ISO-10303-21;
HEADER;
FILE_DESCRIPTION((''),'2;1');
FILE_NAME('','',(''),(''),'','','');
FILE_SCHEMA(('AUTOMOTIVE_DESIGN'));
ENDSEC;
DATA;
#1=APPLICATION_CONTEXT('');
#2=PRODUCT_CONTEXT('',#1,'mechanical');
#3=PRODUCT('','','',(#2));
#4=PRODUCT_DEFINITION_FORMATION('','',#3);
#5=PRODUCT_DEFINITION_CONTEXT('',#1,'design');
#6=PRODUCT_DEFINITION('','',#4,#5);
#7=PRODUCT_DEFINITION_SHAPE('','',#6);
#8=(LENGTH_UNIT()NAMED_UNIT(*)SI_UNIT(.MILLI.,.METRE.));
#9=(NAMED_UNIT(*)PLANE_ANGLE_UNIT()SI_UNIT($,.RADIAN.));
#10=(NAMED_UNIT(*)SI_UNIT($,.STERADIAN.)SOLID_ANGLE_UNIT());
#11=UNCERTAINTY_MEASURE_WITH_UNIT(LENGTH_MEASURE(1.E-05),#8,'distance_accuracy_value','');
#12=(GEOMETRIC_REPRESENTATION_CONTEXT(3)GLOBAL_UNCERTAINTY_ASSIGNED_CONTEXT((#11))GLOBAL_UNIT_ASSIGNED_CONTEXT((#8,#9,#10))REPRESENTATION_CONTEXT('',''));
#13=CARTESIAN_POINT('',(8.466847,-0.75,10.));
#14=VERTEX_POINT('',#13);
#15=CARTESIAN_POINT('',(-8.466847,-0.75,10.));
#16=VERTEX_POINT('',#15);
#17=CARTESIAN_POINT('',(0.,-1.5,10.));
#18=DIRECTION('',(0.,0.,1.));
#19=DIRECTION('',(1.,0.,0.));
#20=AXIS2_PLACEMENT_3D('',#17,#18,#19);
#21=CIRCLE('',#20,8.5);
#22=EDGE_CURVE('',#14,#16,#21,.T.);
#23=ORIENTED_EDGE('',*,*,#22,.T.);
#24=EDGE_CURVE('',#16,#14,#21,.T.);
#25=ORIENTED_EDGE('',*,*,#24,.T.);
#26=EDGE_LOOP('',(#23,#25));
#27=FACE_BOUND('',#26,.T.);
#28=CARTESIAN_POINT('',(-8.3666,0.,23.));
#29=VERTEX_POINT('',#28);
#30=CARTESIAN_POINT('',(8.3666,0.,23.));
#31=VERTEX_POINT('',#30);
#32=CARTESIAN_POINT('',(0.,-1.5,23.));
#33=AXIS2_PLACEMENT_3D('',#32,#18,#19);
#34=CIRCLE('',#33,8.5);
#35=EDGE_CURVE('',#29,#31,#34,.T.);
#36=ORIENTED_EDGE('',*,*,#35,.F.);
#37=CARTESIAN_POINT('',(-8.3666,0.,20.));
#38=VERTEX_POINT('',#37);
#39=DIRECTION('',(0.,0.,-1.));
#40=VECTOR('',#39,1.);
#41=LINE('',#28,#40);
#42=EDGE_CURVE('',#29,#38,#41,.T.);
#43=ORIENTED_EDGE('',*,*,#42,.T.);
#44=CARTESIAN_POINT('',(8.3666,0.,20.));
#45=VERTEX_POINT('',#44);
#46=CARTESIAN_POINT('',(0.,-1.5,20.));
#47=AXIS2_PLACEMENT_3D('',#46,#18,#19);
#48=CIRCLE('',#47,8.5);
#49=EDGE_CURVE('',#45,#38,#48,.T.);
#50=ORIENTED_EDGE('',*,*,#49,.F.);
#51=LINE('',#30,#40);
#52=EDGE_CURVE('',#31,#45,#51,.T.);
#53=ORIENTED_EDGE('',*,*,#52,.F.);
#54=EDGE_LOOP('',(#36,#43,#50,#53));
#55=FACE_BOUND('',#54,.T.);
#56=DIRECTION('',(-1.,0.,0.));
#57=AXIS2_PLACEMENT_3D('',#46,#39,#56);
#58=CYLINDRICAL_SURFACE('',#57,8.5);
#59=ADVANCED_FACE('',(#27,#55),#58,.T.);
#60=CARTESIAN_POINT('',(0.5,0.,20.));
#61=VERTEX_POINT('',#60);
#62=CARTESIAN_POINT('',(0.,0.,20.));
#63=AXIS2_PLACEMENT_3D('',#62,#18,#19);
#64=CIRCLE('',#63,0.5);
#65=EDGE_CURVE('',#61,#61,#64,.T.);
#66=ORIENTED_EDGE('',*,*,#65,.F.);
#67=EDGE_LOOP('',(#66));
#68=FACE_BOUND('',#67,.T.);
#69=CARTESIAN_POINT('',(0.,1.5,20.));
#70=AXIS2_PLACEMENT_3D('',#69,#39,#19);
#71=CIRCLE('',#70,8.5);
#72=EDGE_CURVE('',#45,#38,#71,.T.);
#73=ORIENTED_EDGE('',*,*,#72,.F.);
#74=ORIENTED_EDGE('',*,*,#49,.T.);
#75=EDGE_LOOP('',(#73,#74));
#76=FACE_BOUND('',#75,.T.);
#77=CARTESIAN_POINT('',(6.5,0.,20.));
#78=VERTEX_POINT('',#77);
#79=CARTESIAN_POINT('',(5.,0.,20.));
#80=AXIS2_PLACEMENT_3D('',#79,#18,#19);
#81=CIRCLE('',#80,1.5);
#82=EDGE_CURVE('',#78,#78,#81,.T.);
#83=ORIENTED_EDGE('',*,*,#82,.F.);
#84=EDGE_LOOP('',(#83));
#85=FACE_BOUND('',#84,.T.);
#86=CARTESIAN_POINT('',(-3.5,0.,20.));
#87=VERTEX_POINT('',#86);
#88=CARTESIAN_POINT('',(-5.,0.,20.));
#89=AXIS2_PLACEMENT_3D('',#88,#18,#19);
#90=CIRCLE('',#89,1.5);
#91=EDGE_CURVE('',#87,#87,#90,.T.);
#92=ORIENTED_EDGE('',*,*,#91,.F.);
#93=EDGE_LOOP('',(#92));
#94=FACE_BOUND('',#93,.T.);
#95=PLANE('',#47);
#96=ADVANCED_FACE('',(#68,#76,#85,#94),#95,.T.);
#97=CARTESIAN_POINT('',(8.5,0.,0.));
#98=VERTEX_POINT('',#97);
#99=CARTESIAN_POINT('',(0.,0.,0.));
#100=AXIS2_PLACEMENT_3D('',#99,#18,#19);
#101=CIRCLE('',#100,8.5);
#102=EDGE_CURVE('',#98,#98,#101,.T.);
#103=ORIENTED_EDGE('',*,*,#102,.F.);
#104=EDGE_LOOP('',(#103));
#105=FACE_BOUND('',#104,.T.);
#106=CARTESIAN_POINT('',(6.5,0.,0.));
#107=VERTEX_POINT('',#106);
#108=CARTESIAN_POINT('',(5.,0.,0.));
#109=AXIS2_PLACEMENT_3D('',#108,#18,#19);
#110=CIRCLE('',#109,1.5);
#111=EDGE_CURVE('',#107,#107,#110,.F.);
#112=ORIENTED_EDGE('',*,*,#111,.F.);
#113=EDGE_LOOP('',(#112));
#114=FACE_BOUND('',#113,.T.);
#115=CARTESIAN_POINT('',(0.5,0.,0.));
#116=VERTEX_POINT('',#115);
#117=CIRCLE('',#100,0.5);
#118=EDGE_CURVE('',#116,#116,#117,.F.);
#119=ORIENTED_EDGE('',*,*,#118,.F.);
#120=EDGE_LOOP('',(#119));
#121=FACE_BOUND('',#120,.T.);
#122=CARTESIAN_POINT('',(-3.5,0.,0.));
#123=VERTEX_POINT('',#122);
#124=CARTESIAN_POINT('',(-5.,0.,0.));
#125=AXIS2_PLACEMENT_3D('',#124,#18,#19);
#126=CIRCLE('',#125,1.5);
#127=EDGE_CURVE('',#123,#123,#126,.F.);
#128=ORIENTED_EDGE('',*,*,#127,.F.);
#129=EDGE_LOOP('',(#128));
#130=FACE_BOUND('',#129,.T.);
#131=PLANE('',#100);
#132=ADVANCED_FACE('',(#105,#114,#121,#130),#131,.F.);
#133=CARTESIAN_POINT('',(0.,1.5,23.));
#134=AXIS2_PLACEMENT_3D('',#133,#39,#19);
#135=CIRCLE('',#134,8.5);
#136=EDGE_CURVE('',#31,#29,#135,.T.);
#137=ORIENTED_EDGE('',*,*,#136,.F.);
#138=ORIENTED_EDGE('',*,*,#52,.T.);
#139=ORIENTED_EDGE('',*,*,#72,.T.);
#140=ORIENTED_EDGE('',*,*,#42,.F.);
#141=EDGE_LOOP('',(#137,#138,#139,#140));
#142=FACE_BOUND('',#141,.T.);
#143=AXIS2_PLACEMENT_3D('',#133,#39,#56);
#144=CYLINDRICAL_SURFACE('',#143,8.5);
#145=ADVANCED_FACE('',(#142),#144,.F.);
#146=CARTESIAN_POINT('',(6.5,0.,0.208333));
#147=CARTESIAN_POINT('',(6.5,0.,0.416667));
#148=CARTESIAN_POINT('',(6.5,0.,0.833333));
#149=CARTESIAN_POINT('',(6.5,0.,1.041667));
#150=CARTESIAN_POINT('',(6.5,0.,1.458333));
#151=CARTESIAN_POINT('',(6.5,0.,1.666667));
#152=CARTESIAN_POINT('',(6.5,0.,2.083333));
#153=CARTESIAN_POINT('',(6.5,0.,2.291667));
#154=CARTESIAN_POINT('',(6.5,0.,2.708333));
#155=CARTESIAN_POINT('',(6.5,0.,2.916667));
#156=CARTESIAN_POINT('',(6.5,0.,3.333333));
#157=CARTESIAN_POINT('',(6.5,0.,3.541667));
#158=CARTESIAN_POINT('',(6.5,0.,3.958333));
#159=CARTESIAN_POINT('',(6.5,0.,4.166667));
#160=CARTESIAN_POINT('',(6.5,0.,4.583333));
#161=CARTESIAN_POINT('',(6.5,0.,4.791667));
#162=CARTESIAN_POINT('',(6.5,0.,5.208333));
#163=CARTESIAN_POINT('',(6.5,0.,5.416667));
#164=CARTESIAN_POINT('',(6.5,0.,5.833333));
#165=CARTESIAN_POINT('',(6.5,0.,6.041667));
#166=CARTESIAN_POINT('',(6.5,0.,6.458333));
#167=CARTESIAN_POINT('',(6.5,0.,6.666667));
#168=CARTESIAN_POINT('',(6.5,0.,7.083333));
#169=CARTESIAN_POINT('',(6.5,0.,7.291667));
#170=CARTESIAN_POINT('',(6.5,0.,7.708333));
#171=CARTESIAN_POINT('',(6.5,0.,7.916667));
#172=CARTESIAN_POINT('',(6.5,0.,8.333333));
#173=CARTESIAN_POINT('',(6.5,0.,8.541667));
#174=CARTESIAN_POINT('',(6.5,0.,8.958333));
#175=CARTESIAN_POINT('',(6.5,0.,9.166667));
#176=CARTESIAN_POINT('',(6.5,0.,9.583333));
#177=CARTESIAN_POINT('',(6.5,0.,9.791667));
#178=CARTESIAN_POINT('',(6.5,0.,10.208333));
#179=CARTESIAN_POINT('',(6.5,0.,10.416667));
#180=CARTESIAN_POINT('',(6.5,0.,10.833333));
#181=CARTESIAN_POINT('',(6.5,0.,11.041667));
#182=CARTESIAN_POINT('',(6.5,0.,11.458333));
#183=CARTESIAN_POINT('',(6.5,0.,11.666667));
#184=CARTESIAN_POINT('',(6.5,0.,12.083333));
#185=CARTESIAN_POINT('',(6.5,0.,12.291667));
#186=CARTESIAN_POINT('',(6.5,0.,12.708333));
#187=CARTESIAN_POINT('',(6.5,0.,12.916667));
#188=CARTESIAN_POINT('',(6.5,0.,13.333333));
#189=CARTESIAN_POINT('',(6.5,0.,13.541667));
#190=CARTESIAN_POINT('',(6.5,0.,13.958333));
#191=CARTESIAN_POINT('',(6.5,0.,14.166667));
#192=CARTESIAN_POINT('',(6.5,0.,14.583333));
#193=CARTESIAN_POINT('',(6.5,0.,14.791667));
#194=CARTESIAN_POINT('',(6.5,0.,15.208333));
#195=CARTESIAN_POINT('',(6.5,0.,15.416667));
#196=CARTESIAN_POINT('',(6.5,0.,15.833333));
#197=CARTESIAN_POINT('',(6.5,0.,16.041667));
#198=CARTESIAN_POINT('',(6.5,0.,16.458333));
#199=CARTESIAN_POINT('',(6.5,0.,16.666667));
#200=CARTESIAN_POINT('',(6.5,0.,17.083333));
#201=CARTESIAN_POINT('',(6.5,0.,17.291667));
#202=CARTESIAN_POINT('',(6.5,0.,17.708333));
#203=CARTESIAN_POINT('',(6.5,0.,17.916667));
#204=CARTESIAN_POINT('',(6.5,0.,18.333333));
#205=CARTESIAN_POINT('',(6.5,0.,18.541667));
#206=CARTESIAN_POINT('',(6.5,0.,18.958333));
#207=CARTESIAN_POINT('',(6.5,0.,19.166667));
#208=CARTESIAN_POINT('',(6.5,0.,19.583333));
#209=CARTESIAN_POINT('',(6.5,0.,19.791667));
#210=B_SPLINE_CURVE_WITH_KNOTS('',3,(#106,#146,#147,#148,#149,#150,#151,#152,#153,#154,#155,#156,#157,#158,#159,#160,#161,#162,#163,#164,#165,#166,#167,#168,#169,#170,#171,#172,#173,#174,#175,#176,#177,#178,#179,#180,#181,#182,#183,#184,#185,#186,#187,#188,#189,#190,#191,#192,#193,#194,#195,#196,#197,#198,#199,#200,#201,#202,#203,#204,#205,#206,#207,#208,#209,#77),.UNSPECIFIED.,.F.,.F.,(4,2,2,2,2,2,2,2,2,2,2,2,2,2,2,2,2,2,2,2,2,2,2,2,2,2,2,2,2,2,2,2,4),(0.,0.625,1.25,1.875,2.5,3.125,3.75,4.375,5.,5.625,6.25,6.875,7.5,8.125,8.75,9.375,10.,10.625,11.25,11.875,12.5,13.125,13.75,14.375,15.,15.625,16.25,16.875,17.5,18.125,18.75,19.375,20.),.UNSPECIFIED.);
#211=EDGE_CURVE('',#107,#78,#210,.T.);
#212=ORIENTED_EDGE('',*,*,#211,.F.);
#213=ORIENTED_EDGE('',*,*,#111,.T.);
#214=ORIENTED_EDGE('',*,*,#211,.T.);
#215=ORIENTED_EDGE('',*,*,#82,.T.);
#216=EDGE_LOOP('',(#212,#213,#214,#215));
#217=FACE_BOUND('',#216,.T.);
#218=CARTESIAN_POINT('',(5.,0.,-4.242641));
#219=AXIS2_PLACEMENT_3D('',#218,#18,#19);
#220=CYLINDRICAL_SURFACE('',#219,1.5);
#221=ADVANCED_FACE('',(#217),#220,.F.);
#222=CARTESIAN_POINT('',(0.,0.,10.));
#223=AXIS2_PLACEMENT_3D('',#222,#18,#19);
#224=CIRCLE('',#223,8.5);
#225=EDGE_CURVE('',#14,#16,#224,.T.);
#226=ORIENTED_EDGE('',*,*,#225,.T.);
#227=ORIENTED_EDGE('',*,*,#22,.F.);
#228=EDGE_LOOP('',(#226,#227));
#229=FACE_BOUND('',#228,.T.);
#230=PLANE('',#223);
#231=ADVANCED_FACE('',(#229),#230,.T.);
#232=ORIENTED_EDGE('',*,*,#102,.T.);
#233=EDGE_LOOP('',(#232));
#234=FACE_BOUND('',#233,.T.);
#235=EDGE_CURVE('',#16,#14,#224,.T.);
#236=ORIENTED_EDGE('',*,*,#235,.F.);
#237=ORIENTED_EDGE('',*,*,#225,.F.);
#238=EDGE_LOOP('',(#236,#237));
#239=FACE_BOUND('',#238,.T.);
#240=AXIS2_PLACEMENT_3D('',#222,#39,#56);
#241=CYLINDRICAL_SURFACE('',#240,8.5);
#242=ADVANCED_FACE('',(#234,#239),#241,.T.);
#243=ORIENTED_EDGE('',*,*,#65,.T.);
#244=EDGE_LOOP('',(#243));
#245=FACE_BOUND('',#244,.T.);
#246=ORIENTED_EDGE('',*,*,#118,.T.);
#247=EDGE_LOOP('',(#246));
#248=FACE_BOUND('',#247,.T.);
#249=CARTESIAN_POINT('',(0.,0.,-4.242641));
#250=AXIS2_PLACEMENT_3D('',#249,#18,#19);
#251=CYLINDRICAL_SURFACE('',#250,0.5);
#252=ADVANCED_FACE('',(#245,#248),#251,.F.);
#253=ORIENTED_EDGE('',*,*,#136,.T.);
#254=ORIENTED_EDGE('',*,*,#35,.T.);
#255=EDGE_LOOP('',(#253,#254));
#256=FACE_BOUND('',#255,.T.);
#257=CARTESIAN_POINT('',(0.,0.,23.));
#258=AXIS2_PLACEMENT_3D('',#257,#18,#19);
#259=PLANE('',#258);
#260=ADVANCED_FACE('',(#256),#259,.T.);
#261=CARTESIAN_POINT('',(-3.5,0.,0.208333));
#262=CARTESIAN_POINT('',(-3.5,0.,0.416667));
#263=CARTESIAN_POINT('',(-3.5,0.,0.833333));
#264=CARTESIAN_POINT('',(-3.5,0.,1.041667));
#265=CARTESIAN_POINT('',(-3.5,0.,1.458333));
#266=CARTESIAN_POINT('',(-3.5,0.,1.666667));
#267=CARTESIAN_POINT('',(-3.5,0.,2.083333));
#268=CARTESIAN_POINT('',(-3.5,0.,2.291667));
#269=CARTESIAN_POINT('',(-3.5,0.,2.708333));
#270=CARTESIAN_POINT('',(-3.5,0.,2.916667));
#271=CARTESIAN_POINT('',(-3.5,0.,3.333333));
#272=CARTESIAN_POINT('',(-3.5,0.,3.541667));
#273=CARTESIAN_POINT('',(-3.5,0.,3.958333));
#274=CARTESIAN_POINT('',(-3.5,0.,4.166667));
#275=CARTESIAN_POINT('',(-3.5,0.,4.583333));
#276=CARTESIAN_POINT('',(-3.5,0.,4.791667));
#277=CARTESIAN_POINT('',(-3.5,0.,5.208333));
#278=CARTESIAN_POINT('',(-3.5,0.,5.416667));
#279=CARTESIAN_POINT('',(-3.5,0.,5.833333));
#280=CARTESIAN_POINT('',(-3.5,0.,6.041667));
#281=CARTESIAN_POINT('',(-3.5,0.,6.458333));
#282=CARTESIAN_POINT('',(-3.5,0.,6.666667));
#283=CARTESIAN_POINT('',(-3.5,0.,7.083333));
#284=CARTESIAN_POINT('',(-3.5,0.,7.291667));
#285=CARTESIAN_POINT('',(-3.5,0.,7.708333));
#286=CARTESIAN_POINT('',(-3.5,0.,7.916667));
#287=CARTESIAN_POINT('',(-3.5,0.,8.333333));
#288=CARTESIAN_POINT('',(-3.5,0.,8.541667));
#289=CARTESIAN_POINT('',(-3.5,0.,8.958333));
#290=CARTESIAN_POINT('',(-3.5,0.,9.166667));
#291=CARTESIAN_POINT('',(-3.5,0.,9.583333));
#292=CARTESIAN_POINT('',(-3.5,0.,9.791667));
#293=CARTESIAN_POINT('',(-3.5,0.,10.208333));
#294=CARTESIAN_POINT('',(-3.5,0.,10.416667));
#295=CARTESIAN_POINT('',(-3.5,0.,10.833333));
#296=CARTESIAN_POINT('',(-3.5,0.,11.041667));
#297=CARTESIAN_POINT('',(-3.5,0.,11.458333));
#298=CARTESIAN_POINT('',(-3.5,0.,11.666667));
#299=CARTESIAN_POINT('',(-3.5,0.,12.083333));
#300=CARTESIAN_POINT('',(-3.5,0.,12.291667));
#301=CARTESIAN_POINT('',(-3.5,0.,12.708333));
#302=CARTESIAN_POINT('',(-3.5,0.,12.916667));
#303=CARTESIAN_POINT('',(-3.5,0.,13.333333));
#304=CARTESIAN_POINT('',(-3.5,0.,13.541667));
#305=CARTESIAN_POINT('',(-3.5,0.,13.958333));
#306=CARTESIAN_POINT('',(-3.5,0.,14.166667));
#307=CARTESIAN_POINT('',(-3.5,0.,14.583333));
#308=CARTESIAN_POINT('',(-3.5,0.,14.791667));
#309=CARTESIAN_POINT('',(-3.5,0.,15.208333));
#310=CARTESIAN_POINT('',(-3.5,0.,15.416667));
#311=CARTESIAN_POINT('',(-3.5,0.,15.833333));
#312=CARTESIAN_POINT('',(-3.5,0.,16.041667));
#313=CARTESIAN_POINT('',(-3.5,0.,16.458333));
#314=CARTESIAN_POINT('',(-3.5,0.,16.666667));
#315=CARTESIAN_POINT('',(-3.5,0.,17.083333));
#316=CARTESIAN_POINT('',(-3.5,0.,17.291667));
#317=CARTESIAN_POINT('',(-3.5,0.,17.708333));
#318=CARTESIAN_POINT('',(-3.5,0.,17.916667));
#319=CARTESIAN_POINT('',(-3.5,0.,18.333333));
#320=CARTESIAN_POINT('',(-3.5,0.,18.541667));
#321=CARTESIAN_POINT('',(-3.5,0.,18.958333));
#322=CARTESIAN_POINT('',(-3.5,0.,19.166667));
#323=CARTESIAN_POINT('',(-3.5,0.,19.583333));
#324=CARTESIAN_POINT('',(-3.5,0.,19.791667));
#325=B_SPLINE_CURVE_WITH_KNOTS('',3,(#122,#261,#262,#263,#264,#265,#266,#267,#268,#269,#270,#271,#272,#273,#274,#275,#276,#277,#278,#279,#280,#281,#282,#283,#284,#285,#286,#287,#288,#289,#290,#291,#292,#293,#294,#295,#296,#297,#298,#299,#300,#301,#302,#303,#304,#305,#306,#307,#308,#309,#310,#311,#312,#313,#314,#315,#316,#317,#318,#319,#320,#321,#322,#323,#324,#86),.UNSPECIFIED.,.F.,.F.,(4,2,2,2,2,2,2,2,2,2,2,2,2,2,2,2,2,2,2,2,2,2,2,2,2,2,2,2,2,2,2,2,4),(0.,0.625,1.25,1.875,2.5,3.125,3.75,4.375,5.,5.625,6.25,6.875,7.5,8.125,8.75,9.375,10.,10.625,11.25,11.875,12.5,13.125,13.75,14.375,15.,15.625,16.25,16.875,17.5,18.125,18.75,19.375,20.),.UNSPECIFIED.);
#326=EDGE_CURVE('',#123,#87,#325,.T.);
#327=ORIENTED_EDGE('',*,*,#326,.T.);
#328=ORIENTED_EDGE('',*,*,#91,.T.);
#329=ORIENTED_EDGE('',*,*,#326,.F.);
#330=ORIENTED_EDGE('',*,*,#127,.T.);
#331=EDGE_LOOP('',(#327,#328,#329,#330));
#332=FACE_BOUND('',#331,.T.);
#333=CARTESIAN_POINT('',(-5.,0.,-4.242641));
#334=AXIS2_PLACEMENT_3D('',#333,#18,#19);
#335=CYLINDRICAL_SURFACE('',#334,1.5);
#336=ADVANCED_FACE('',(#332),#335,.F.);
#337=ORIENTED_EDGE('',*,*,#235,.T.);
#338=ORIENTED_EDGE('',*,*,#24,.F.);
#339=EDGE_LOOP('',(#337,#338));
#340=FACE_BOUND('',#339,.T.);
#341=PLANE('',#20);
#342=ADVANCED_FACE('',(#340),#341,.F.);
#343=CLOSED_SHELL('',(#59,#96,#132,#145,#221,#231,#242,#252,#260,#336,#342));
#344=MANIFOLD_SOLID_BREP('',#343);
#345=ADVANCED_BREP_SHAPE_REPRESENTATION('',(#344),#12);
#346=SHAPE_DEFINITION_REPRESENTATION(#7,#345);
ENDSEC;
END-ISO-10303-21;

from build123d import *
from build123d.topology import SkipClean

# Parameters (mm, degrees)
SKETCH1_R           = 8.5
BOSS_EXTRUDE1_DEPTH = 10
SKETCH2_R           = 8.5
BOSS_EXTRUDE2_DEPTH = 10
SKETCH4_R           = 0.5
SKETCH4_R_2         = 1.5
CUT_EXTRUDE1_DEPTH  = 20
BOSS_EXTRUDE3_DEPTH = 3


with BuildPart() as part:
    # Sketch1 → Boss-Extrude1 (new body)
    with BuildSketch(Plane.XY):
        Circle(SKETCH1_R)
    extrude(amount=BOSS_EXTRUDE1_DEPTH)

    # Sketch2 → Boss-Extrude2 (add)
    with BuildSketch(Plane.XY.offset(10)):
        with Locations(Location((0, -1.5, 0), (0, 0, 174.937907036))):
            Circle(SKETCH2_R)
    extrude(amount=BOSS_EXTRUDE2_DEPTH)

    # Sketch4 → Cut-Extrude1 (cut)
    with BuildSketch(Plane.XY.offset(20)):
        Circle(SKETCH4_R)
        with Locations((-5, 0)):
            Circle(SKETCH4_R_2)
        with Locations((5, 0)):
            Circle(SKETCH4_R_2)
    extrude(amount=-CUT_EXTRUDE1_DEPTH, mode=Mode.SUBTRACT)

    # Sketch5 → Boss-Extrude3 (add)
    with SkipClean():  # the faces are left unmerged after this step: merging them gives an invalid solid
        with BuildSketch(Plane.XY.offset(20)):
            with BuildLine():
                ThreePointArc((-8.366600265, 0), (0, -7), (8.366600265, 0))
                ThreePointArc((8.366600265, 0), (0, -10), (-8.366600265, 0))
            make_face()
        extrude(amount=BOSS_EXTRUDE3_DEPTH)


solid = part.part
